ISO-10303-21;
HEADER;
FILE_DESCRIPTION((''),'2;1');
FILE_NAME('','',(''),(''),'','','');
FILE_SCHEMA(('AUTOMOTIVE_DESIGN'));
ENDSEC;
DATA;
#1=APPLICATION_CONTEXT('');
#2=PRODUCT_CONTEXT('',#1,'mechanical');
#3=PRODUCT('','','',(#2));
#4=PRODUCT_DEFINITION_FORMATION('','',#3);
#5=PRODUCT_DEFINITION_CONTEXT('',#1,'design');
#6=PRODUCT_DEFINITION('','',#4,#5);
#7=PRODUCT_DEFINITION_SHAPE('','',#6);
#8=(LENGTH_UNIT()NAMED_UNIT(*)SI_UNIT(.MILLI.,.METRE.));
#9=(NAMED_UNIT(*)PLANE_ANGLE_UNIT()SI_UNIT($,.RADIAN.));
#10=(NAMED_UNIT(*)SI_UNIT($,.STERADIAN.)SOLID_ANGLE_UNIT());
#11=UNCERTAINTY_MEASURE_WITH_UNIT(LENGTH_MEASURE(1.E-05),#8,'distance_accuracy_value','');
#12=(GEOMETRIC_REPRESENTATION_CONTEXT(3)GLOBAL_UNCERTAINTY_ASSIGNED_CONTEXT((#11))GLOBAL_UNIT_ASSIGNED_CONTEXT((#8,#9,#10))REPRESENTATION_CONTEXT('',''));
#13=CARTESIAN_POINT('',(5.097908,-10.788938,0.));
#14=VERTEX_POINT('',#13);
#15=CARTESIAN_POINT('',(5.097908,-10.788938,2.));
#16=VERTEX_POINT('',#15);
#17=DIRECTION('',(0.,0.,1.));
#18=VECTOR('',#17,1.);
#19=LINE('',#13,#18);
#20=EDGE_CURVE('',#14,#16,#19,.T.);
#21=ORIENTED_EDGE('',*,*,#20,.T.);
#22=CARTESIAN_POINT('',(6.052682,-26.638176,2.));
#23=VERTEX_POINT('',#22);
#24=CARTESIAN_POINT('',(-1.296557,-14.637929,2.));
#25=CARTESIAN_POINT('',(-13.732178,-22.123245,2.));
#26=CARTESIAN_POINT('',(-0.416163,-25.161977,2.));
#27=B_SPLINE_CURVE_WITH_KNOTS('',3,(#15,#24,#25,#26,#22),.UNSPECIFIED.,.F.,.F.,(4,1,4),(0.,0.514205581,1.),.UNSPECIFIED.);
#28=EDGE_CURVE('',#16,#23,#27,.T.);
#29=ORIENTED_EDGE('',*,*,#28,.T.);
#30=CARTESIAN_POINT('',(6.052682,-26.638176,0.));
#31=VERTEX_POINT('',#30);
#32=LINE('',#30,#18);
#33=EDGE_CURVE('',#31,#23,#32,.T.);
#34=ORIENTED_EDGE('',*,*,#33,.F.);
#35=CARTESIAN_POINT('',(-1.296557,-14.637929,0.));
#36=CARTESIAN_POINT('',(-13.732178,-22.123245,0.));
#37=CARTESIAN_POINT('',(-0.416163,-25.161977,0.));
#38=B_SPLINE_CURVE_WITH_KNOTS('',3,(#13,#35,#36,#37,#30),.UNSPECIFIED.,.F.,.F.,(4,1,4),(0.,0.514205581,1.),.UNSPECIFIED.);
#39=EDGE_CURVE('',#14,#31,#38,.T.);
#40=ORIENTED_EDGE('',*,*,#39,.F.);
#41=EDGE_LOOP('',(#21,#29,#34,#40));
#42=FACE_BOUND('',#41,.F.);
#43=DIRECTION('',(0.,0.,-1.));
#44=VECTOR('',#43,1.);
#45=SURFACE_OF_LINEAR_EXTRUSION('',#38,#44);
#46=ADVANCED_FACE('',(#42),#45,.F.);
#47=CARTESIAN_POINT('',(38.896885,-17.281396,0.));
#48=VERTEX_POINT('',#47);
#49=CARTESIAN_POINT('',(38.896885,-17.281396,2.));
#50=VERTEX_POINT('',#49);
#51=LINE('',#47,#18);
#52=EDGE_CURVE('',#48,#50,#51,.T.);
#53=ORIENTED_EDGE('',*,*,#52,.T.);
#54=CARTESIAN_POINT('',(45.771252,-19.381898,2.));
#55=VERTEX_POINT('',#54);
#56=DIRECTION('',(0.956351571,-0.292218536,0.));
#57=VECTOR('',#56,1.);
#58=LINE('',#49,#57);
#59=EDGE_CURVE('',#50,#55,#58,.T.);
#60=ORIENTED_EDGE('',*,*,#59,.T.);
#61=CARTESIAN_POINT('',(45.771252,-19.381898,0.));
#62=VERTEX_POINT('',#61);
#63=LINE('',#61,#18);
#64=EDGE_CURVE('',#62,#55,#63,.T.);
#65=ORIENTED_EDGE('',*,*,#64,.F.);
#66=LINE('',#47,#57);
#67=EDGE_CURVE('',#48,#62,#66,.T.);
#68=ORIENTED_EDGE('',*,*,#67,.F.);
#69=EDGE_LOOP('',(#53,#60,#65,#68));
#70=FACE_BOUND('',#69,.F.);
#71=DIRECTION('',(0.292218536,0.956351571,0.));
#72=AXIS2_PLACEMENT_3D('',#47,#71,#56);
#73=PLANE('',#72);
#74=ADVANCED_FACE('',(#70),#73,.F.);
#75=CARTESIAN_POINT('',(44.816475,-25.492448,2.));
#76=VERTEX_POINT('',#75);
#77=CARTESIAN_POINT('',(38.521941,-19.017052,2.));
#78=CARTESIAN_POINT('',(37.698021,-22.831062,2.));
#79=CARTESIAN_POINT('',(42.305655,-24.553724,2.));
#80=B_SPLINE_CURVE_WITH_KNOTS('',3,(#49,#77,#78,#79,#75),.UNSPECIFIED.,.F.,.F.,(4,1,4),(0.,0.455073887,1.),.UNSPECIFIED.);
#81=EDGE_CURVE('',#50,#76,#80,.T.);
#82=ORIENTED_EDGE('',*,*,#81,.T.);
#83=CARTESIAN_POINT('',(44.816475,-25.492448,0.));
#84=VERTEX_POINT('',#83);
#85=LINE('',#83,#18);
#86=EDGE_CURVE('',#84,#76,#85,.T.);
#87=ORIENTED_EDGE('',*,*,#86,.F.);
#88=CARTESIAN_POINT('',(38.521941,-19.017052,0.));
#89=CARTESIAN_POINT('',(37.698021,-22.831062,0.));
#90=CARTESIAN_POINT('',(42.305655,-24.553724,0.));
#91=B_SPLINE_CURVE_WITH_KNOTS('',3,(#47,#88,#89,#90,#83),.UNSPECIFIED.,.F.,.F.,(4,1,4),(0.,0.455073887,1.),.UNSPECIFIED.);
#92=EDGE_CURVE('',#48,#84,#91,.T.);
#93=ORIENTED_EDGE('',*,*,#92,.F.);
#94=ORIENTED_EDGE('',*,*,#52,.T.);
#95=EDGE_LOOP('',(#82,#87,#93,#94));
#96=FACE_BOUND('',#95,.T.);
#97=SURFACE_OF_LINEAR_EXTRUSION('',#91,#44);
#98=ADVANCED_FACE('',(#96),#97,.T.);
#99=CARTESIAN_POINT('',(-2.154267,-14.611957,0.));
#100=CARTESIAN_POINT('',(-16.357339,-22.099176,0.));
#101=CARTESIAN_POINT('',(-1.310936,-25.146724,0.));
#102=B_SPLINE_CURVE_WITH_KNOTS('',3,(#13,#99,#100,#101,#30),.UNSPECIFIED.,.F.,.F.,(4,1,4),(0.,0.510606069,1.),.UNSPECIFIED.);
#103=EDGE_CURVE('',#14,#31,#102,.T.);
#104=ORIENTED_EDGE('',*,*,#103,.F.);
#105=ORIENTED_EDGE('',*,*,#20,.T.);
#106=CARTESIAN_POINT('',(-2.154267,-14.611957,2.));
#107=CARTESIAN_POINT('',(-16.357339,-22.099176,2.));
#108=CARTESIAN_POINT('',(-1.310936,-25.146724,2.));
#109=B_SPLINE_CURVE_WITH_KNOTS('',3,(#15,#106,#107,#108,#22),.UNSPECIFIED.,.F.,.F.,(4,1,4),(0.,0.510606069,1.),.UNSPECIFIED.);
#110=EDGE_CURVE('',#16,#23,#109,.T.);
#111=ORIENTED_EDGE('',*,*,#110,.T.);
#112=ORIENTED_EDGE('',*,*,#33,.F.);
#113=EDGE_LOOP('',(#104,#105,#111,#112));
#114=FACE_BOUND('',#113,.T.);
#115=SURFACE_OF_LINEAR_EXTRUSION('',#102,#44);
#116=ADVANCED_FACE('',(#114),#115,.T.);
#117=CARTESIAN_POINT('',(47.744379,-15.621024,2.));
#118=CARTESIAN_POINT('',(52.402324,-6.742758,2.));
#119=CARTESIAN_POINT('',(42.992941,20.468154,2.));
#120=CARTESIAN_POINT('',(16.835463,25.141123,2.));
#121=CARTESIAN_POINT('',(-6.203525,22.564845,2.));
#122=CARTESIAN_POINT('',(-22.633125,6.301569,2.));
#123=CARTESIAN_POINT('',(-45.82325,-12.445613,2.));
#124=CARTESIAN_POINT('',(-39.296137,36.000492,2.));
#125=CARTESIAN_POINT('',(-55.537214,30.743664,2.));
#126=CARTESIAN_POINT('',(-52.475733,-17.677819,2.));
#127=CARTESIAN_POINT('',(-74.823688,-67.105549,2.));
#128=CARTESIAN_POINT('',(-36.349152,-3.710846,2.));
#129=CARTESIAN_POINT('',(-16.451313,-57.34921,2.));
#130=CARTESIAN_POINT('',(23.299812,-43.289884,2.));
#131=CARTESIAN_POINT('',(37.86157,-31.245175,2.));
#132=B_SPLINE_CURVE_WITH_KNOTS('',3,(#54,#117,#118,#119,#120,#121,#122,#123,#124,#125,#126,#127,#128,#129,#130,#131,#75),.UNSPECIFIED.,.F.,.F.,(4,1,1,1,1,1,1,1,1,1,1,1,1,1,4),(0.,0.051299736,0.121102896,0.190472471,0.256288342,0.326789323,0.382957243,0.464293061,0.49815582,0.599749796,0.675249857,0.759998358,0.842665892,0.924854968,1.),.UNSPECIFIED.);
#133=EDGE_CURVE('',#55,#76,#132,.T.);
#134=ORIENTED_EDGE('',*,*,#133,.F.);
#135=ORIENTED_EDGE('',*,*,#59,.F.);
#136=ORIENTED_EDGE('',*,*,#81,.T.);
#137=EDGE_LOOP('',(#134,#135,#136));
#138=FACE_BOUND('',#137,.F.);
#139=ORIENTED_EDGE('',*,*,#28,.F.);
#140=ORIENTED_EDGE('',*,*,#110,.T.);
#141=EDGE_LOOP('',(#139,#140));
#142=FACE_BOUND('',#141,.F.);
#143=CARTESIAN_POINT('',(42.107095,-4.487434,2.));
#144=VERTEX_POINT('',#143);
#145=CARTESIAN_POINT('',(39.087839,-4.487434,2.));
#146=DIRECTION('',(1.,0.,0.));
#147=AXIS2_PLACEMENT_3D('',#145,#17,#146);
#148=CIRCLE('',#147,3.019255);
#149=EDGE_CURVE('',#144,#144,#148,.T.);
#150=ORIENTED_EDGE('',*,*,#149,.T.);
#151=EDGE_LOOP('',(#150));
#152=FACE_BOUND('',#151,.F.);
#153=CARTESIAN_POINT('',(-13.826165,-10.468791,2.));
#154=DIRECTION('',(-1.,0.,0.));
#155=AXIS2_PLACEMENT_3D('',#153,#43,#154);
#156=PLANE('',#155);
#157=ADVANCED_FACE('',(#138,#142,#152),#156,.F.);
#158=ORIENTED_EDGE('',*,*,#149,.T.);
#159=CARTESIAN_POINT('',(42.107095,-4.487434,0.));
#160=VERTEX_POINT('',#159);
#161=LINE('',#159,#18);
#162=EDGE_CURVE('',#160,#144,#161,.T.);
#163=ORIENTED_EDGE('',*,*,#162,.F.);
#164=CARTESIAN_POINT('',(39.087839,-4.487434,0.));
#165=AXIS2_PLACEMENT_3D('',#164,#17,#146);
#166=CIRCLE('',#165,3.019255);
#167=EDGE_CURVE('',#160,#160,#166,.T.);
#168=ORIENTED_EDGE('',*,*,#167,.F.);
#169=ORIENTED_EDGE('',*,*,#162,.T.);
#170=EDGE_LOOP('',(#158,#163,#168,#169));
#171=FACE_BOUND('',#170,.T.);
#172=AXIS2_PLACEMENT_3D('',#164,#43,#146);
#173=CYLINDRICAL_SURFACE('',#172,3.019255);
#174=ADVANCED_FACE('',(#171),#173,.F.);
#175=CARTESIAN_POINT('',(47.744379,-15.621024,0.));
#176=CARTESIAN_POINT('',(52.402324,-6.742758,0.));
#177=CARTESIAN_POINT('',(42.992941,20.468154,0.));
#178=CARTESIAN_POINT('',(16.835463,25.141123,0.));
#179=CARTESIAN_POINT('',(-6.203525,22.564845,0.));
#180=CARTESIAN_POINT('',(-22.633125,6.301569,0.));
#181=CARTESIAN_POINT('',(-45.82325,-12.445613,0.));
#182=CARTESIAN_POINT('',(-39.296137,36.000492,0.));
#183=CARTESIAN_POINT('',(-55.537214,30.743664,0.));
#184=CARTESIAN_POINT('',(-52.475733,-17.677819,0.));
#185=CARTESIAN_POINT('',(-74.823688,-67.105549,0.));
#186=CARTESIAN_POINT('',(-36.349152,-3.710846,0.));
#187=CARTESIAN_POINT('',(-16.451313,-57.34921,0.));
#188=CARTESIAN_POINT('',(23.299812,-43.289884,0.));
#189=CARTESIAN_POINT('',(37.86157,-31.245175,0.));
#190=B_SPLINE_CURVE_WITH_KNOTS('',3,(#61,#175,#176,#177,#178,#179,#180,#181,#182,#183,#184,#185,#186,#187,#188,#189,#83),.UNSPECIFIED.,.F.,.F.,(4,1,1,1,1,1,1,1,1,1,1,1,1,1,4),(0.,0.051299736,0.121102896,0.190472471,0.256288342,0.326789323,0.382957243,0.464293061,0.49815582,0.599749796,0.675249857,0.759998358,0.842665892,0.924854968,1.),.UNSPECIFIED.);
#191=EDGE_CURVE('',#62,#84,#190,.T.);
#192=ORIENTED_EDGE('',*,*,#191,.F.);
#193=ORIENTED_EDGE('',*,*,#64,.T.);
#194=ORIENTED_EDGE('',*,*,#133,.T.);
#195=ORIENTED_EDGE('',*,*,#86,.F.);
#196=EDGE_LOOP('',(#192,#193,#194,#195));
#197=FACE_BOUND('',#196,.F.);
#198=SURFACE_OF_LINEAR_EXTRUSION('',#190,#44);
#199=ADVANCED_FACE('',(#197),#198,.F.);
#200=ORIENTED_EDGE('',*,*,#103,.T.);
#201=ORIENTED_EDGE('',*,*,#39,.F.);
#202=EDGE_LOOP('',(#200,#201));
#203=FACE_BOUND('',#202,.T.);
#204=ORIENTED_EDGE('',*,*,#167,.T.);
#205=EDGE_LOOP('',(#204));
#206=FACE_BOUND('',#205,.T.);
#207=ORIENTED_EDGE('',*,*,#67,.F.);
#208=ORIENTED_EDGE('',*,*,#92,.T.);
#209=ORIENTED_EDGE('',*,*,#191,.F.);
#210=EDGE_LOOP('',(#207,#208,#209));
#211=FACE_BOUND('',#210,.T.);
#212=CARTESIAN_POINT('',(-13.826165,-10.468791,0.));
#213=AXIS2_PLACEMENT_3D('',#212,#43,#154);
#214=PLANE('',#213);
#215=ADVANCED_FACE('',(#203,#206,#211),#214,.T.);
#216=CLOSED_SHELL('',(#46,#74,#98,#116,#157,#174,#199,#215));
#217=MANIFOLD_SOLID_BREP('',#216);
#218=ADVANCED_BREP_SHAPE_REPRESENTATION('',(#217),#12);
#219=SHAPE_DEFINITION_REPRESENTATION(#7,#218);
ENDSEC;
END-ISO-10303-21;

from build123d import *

# Parameters (mm, degrees)
F0_R     = 3.0192551416
F1_DEPTH = 2


with BuildPart() as f1:
    # F0 (on Top) → F1 (new body)
    with BuildSketch(Plane.XY):
        with BuildLine():
            add(Edge.make_bspline(
                [(38.8968847692, -17.2813963145), (38.5219405768, -19.0170523119), (37.6980212015, -22.8310615278), (42.3056552484, -24.5537243845), (44.8164753616, -25.4924483597)],
                knots=[0, 0, 0, 0, 0.4550738866, 1, 1, 1, 1], degree=3))
            Line((38.8968847692, -17.2813963145), (45.7712523639, -19.381897524))
            add(Edge.make_bspline(
                [(45.7712523639, -19.381897524), (47.7443788797, -15.6210237495), (52.4023236483, -6.7427576153), (42.9929406156, 20.4681536199), (16.835462988, 25.1411225794), (-6.2035253647, 22.5648447888), (-22.6331252645, 6.3015690735), (-45.8232501196, -12.4456127112), (-39.2961369933, 36.0004923789), (-55.5372139459, 30.7436643669), (-52.4757329463, -17.6778191227), (-74.8236876161, -67.1055491158), (-36.3491517735, -3.7108461103), (-16.4513129519, -57.3492102398), (23.2998121124, -43.289883701), (37.861570313, -31.2451745829), (44.8164753616, -25.4924483597)],
                knots=[0, 0, 0, 0, 0.0512997356, 0.121102896, 0.1904724709, 0.2562883419, 0.3267893231, 0.3829572427, 0.4642930608, 0.4981558202, 0.5997497961, 0.6752498565, 0.7599983584, 0.842665892, 0.9248549683, 1, 1, 1, 1], degree=3))
        make_face()
        with BuildLine():
            add(Edge.make_bspline(
                [(5.0979079679, -10.7889380306), (-2.1542668709, -14.6119572069), (-16.3573390324, -22.0991756542), (-1.3109361053, -25.1467244204), (6.0526821762, -26.6381762922)],
                knots=[0, 0, 0, 0, 0.5106060686, 1, 1, 1, 1], degree=3))
            add(Edge.make_bspline(
                [(5.0979079679, -10.7889380306), (-1.2965573417, -14.6379292495), (-13.7321775424, -22.1232451651), (-0.4161632508, -25.1619772192), (6.0526821762, -26.6381762922)],
                knots=[0, 0, 0, 0, 0.5142055809, 1, 1, 1, 1], degree=3))
        make_face(mode=Mode.SUBTRACT)
        with Locations((39.0878394246, -4.4874344021)):
            Circle(F0_R, mode=Mode.SUBTRACT)
    extrude(amount=F1_DEPTH)


solid = f1.part
